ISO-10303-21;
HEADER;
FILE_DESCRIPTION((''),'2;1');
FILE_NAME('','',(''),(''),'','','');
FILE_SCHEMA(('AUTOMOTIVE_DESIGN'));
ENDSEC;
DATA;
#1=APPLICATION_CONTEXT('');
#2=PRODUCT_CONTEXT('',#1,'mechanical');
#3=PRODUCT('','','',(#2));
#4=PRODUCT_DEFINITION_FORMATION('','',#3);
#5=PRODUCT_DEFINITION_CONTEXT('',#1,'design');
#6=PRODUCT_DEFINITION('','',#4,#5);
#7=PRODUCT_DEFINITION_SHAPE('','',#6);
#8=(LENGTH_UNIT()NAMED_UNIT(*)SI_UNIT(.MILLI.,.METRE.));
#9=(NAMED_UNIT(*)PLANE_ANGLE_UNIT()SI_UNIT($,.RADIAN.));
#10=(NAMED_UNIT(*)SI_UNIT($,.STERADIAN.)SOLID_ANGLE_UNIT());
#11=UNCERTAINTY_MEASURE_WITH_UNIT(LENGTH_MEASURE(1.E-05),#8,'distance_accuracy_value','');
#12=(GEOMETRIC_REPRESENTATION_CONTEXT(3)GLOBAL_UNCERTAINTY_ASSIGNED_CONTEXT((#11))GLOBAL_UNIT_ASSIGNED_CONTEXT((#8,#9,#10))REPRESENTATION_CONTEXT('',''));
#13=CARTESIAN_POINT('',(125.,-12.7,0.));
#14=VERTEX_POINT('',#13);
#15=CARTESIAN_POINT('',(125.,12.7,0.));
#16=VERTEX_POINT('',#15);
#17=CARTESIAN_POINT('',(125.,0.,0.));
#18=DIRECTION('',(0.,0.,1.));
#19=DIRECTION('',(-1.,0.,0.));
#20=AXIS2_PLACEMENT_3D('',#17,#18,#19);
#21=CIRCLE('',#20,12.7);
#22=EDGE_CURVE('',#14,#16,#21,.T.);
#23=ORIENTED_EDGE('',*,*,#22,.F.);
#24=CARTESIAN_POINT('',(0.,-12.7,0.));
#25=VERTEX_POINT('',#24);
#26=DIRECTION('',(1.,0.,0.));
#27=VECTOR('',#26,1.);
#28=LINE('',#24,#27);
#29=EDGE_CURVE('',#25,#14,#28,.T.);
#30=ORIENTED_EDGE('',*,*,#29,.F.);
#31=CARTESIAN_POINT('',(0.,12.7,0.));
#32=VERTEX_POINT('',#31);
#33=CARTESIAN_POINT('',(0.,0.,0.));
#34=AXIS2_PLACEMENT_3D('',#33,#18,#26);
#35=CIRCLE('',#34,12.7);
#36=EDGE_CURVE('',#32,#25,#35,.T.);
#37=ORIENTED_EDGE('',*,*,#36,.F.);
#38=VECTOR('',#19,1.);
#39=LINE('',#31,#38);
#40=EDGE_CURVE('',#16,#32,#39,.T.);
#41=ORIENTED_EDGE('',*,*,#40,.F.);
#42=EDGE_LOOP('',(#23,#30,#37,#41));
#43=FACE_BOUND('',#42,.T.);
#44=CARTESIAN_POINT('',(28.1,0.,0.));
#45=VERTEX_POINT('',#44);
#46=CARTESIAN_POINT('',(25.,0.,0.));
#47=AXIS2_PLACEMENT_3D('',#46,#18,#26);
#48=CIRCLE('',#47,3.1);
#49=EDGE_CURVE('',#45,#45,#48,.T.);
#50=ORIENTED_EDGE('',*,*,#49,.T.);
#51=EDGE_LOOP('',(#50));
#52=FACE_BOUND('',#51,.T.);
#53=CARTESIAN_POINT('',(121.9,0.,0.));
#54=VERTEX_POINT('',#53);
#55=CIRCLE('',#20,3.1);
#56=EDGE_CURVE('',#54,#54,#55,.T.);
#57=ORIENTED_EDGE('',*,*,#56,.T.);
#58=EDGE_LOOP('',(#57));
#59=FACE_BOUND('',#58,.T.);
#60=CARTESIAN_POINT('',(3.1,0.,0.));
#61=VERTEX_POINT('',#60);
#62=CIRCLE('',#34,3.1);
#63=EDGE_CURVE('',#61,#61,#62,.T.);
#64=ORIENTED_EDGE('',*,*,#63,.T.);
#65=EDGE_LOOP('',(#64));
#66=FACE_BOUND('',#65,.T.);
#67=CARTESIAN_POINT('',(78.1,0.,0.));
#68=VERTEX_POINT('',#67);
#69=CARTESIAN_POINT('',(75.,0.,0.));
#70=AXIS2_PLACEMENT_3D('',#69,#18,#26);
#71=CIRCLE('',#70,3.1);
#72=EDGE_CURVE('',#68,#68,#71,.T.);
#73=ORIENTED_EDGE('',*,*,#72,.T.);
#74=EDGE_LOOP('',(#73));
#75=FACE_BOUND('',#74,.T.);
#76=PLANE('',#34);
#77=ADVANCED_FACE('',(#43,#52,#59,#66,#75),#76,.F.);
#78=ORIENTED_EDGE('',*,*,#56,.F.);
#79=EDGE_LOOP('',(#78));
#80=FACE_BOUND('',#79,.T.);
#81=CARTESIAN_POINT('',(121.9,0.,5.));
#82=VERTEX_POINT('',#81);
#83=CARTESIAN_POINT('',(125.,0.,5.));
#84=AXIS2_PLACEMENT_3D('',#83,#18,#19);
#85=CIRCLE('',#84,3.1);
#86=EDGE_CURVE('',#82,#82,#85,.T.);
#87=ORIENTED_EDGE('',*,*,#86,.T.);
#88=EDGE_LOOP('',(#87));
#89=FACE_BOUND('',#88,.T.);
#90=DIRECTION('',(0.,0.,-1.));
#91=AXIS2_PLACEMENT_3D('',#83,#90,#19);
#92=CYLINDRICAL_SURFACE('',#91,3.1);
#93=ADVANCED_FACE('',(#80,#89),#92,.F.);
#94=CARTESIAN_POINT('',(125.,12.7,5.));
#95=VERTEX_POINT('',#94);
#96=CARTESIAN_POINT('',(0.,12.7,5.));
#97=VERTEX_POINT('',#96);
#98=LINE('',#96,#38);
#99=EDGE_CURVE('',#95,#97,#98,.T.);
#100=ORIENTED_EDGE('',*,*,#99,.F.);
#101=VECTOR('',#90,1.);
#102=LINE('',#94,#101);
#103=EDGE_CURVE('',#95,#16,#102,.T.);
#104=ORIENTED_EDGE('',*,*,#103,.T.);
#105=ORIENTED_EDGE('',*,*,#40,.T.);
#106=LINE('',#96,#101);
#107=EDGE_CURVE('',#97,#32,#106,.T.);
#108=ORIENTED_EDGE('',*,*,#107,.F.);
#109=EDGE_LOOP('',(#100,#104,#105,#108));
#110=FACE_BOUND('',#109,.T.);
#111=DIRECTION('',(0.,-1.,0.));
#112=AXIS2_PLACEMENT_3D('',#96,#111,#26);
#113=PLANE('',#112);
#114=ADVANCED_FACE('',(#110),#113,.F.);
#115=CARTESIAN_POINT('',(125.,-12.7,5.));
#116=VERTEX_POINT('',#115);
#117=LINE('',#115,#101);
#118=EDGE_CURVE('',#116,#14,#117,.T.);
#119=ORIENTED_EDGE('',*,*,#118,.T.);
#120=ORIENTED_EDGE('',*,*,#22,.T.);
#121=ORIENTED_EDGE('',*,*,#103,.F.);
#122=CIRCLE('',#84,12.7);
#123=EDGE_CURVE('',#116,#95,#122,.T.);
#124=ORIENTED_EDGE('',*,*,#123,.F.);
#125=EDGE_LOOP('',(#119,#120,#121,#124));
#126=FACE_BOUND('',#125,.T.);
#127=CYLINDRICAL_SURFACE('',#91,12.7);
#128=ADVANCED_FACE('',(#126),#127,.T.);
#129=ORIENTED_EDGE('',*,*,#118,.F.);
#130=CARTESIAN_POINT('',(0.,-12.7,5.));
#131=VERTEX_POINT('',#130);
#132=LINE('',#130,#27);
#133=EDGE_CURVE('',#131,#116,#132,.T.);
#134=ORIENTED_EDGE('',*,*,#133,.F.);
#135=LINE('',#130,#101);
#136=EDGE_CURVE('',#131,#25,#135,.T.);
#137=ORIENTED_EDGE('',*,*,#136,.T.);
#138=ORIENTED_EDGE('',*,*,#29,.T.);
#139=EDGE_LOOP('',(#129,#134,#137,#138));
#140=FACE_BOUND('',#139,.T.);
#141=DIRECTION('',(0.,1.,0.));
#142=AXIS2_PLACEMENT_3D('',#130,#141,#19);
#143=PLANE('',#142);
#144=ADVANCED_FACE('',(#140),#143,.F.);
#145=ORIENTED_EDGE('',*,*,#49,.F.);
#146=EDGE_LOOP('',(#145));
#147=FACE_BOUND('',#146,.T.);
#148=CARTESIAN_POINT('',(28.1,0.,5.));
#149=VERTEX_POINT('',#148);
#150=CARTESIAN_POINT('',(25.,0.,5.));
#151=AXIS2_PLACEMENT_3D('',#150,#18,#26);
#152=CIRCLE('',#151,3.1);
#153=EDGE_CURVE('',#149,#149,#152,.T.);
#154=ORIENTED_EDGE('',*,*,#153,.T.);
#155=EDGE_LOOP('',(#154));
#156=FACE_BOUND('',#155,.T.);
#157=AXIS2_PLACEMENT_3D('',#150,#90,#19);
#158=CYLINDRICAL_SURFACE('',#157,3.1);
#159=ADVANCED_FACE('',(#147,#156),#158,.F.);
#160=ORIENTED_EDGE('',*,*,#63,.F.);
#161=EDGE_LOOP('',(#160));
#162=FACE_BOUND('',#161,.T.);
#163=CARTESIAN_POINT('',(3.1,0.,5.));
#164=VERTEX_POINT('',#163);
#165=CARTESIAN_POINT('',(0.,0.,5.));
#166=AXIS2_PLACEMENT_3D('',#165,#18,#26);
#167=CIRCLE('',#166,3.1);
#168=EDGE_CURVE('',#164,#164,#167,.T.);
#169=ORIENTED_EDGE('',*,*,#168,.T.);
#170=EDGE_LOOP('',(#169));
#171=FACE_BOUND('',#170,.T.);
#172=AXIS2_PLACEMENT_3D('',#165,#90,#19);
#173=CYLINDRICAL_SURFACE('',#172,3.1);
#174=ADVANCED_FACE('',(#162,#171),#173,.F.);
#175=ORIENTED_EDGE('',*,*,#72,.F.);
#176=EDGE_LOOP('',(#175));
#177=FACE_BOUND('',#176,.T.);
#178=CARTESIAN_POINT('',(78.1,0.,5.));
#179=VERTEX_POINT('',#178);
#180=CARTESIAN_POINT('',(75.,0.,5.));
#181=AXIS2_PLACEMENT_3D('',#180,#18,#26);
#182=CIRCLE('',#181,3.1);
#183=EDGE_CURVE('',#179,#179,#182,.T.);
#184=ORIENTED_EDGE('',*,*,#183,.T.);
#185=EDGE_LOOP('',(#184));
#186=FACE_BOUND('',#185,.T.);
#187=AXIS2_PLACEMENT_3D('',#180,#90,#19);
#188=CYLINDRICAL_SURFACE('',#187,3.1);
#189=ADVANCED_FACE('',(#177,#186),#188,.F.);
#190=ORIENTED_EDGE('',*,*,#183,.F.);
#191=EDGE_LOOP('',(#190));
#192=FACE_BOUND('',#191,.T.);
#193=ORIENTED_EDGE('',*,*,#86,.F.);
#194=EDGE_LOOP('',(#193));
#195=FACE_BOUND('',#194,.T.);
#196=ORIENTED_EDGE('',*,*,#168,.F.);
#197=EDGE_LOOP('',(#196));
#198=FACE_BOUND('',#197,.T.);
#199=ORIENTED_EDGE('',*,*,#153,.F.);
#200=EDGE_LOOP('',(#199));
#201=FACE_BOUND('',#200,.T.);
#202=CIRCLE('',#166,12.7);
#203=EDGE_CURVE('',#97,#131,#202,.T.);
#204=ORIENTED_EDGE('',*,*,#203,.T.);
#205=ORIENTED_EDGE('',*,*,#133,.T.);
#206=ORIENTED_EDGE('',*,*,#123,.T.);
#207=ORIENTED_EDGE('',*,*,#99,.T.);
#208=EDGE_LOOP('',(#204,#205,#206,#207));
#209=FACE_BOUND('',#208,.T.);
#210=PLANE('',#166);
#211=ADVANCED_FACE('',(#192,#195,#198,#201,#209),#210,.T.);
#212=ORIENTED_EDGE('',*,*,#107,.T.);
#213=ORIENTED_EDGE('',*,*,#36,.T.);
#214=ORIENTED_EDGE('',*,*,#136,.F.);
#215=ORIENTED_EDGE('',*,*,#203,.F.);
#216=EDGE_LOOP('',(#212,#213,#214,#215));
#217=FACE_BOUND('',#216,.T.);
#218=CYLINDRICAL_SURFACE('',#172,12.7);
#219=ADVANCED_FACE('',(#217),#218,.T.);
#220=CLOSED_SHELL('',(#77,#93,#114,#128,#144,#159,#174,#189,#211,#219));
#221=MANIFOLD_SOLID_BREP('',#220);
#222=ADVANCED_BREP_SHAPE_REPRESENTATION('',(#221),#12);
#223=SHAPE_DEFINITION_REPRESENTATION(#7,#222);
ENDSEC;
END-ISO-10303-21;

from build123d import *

# Parameters (mm, degrees)
SKETCH1_R           = 3.1
BOSS_EXTRUDE1_DEPTH = 5


with BuildPart() as part:
    # Sketch1 → Boss-Extrude1 (new body)
    with BuildSketch(Plane.XY):
        with BuildLine():
            Line((0, -12.7), (125, -12.7))
            ThreePointArc((125, -12.7), (137.7, 0), (125, 12.7))
            Line((125, 12.7), (0, 12.7))
            ThreePointArc((0, 12.7), (-12.7, 0), (0, -12.7))
        make_face()
        Circle(SKETCH1_R, mode=Mode.SUBTRACT)
        with Locations((125, 0)):
            Circle(SKETCH1_R, mode=Mode.SUBTRACT)
        with Locations((25, 0)):
            Circle(SKETCH1_R, mode=Mode.SUBTRACT)
        with Locations((75, 0)):
            Circle(SKETCH1_R, mode=Mode.SUBTRACT)
    extrude(amount=BOSS_EXTRUDE1_DEPTH)


solid = part.part
